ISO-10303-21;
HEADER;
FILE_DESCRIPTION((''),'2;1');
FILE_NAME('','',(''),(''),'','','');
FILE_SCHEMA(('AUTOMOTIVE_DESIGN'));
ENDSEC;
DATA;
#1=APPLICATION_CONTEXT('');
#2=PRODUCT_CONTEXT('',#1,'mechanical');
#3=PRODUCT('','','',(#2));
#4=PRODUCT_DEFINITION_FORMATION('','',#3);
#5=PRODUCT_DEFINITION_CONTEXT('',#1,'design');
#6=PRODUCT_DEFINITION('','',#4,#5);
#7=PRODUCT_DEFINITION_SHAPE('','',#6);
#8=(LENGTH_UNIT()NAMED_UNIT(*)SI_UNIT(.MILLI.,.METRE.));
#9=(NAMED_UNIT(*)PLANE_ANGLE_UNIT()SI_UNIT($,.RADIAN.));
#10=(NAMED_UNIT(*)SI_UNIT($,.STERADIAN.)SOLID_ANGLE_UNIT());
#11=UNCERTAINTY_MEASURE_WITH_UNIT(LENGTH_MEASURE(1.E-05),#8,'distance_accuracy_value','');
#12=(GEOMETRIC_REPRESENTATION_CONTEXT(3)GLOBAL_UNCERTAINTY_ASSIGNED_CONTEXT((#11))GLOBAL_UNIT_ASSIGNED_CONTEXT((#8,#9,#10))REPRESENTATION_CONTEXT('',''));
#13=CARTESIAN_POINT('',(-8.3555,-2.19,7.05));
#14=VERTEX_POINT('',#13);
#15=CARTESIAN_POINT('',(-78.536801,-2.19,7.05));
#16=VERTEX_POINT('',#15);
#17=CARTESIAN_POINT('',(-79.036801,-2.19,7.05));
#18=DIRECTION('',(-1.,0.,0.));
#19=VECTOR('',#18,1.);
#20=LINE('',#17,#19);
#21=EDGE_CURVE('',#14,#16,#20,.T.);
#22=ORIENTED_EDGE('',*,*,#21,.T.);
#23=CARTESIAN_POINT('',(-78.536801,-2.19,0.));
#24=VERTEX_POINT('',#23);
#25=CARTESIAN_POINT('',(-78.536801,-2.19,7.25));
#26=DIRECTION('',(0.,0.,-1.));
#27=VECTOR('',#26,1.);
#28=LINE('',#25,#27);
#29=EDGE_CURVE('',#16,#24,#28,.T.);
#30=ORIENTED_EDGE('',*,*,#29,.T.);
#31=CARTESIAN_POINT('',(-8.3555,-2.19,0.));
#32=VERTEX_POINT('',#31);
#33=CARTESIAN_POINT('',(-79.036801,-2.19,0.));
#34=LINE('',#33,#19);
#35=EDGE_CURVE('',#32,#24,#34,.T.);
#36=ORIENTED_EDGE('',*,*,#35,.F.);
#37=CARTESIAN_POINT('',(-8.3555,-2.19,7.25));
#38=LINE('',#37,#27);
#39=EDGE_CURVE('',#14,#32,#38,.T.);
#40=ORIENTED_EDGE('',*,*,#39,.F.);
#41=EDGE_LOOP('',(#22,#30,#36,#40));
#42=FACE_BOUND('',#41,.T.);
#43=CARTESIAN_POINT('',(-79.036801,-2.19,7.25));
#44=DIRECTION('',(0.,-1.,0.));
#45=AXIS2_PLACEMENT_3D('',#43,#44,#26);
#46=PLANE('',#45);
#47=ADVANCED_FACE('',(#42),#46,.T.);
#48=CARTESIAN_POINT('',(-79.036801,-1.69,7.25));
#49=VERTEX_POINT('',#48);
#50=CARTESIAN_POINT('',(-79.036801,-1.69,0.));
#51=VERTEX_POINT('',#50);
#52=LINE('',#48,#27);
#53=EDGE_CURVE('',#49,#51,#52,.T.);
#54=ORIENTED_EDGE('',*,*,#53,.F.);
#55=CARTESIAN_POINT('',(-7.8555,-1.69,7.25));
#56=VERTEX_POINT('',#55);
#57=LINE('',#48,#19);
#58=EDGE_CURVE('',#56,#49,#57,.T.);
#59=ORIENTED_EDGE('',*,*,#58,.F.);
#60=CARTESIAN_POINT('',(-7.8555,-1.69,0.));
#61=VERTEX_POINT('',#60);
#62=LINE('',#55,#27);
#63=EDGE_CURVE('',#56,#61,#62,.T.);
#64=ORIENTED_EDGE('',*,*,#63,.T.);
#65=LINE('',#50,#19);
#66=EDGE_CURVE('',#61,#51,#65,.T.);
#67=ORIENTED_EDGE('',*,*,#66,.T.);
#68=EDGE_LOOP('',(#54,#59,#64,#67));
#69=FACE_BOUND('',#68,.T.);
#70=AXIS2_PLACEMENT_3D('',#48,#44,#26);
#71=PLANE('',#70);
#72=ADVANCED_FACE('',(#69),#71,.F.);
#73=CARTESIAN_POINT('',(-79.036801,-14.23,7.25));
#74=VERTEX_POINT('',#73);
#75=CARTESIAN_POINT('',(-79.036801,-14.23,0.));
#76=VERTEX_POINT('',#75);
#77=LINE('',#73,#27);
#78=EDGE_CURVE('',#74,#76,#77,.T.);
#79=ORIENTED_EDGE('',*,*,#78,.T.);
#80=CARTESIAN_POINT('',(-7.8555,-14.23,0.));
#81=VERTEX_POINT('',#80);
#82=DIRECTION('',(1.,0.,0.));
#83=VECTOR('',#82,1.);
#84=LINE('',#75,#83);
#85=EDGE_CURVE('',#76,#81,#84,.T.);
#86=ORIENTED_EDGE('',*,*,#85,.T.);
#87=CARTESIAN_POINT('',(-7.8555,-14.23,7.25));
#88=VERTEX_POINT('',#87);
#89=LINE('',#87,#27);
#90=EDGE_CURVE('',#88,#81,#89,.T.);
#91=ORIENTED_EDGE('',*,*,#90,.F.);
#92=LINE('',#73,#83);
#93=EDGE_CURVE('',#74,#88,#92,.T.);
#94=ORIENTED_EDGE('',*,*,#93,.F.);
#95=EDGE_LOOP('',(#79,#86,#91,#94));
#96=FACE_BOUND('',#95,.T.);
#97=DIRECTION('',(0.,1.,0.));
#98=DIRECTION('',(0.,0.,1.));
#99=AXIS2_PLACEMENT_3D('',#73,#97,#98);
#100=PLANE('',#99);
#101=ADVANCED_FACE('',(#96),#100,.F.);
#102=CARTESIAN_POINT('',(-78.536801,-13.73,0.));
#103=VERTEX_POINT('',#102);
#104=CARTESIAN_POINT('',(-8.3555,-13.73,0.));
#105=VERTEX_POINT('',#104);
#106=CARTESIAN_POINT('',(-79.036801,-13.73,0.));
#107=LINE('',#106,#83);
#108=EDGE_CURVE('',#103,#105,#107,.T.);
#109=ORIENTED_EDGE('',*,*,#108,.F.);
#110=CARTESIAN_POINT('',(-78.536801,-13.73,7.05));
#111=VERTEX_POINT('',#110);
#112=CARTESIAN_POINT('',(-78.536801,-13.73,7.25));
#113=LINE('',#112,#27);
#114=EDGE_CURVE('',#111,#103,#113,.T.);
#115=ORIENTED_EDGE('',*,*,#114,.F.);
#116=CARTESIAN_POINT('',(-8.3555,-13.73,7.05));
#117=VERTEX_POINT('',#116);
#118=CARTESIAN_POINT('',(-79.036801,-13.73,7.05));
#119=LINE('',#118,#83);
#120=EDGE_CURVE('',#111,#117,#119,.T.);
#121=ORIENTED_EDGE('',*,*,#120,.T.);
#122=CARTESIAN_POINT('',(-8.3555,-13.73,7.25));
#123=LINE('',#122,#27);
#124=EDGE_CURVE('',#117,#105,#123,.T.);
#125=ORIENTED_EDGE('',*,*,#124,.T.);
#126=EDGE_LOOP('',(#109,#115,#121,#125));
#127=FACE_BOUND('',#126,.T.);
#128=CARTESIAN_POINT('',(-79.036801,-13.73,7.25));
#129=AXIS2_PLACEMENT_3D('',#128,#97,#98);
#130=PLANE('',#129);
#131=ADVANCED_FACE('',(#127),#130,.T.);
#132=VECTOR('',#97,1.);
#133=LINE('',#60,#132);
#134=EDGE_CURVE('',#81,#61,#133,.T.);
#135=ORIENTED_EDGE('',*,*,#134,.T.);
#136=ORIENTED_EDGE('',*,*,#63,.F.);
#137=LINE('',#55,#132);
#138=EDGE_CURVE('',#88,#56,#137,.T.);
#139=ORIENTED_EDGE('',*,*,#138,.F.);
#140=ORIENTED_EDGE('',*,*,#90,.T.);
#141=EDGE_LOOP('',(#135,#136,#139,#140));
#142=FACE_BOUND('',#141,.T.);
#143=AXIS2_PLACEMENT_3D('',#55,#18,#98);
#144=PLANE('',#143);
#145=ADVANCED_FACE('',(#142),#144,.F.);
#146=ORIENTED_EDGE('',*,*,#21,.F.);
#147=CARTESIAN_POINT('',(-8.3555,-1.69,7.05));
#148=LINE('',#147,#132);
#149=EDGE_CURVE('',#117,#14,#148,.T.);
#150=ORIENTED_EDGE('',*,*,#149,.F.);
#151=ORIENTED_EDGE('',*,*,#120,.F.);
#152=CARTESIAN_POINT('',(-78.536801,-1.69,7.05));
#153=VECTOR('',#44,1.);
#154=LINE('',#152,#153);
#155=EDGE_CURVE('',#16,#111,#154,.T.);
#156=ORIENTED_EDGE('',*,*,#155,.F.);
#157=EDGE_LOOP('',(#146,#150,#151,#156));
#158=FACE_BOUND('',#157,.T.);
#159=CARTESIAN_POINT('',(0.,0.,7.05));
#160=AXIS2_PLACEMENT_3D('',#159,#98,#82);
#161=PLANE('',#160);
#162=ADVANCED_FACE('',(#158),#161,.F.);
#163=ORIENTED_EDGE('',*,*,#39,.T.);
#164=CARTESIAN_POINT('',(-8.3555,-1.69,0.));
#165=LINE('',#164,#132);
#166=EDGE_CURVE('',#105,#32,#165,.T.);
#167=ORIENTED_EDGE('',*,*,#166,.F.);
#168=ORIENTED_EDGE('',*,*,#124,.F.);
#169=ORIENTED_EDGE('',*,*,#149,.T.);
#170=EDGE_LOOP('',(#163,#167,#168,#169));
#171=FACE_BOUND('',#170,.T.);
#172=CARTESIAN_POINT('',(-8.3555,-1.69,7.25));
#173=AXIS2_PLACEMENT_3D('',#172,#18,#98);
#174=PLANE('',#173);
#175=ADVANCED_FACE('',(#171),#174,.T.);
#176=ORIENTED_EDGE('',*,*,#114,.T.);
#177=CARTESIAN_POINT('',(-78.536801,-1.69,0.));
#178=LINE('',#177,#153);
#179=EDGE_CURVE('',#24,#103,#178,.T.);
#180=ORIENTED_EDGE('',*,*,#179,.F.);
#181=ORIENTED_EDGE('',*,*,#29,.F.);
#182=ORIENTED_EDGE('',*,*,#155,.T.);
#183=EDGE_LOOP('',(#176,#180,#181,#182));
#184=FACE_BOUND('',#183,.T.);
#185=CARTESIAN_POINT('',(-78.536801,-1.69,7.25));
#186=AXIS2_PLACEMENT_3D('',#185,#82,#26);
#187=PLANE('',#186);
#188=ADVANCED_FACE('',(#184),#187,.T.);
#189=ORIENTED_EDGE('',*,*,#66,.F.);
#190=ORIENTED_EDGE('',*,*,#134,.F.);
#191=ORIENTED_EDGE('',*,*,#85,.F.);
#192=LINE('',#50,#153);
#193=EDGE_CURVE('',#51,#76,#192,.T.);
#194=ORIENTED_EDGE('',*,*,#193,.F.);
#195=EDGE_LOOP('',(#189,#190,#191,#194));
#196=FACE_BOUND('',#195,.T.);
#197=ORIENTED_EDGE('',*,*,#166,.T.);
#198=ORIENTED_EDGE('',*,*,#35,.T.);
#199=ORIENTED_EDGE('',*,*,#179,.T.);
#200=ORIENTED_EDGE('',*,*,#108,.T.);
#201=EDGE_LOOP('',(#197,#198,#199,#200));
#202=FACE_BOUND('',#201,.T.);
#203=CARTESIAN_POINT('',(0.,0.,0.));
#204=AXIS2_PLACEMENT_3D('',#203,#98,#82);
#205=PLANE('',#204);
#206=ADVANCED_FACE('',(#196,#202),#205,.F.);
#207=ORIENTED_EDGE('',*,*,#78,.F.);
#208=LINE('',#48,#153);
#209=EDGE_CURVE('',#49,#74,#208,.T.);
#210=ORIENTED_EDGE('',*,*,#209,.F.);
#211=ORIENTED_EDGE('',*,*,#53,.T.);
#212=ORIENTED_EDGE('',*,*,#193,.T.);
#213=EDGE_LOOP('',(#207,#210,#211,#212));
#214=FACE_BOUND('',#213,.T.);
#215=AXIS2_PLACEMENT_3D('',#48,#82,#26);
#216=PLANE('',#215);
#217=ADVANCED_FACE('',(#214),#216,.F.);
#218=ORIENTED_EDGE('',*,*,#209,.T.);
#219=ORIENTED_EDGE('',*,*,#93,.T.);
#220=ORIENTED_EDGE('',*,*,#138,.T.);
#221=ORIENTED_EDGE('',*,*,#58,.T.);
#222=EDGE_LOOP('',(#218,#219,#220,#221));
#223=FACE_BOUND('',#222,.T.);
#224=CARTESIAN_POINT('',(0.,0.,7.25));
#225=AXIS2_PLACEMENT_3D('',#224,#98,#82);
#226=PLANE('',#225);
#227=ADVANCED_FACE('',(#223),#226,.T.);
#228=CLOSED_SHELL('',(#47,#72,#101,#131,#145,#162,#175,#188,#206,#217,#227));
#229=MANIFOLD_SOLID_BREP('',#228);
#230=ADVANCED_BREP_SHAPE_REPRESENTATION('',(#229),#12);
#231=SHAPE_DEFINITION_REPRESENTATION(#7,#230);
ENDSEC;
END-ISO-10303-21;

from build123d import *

# Parameters (mm, degrees)
SKETCH1_W                 = 71.18130149
SKETCH1_H                 = 12.54
BOSS_EXTRUDE1_DEPTH       = 7.25
SHELL1_T                  = -0.5
SHELL1_THICKNESS_2_FACE_W = 70.18130149
SHELL1_THICKNESS_2_FACE_H = 11.54
SHELL1_THICKNESS_2_DEPTH  = 0.3


with BuildPart() as part:
    # Sketch1 → Boss-Extrude1 (new body)
    with BuildSketch(Plane.XY):
        with Locations((-43.446150745, -7.96)):
            Rectangle(SKETCH1_W, SKETCH1_H)
    extrude(amount=BOSS_EXTRUDE1_DEPTH)

    # Shell1
    shell1_openings = [part.faces().sort_by_distance(p)[0] for p in [
        (-43.446150745, -7.96, 0),
    ]]
    offset(amount=SHELL1_T, openings=shell1_openings, kind=Kind.INTERSECTION)

    # Shell1 thickness 2 face (on inner face of the shell) → Shell1 thickness 2 (cut)
    with BuildSketch(Plane(origin=(-43.446150745, -7.96, 6.75), x_dir=(1, 0, 0), z_dir=(0, 0, 1))):
        Rectangle(SHELL1_THICKNESS_2_FACE_W, SHELL1_THICKNESS_2_FACE_H)
    extrude(amount=SHELL1_THICKNESS_2_DEPTH, mode=Mode.SUBTRACT)


solid = part.part
